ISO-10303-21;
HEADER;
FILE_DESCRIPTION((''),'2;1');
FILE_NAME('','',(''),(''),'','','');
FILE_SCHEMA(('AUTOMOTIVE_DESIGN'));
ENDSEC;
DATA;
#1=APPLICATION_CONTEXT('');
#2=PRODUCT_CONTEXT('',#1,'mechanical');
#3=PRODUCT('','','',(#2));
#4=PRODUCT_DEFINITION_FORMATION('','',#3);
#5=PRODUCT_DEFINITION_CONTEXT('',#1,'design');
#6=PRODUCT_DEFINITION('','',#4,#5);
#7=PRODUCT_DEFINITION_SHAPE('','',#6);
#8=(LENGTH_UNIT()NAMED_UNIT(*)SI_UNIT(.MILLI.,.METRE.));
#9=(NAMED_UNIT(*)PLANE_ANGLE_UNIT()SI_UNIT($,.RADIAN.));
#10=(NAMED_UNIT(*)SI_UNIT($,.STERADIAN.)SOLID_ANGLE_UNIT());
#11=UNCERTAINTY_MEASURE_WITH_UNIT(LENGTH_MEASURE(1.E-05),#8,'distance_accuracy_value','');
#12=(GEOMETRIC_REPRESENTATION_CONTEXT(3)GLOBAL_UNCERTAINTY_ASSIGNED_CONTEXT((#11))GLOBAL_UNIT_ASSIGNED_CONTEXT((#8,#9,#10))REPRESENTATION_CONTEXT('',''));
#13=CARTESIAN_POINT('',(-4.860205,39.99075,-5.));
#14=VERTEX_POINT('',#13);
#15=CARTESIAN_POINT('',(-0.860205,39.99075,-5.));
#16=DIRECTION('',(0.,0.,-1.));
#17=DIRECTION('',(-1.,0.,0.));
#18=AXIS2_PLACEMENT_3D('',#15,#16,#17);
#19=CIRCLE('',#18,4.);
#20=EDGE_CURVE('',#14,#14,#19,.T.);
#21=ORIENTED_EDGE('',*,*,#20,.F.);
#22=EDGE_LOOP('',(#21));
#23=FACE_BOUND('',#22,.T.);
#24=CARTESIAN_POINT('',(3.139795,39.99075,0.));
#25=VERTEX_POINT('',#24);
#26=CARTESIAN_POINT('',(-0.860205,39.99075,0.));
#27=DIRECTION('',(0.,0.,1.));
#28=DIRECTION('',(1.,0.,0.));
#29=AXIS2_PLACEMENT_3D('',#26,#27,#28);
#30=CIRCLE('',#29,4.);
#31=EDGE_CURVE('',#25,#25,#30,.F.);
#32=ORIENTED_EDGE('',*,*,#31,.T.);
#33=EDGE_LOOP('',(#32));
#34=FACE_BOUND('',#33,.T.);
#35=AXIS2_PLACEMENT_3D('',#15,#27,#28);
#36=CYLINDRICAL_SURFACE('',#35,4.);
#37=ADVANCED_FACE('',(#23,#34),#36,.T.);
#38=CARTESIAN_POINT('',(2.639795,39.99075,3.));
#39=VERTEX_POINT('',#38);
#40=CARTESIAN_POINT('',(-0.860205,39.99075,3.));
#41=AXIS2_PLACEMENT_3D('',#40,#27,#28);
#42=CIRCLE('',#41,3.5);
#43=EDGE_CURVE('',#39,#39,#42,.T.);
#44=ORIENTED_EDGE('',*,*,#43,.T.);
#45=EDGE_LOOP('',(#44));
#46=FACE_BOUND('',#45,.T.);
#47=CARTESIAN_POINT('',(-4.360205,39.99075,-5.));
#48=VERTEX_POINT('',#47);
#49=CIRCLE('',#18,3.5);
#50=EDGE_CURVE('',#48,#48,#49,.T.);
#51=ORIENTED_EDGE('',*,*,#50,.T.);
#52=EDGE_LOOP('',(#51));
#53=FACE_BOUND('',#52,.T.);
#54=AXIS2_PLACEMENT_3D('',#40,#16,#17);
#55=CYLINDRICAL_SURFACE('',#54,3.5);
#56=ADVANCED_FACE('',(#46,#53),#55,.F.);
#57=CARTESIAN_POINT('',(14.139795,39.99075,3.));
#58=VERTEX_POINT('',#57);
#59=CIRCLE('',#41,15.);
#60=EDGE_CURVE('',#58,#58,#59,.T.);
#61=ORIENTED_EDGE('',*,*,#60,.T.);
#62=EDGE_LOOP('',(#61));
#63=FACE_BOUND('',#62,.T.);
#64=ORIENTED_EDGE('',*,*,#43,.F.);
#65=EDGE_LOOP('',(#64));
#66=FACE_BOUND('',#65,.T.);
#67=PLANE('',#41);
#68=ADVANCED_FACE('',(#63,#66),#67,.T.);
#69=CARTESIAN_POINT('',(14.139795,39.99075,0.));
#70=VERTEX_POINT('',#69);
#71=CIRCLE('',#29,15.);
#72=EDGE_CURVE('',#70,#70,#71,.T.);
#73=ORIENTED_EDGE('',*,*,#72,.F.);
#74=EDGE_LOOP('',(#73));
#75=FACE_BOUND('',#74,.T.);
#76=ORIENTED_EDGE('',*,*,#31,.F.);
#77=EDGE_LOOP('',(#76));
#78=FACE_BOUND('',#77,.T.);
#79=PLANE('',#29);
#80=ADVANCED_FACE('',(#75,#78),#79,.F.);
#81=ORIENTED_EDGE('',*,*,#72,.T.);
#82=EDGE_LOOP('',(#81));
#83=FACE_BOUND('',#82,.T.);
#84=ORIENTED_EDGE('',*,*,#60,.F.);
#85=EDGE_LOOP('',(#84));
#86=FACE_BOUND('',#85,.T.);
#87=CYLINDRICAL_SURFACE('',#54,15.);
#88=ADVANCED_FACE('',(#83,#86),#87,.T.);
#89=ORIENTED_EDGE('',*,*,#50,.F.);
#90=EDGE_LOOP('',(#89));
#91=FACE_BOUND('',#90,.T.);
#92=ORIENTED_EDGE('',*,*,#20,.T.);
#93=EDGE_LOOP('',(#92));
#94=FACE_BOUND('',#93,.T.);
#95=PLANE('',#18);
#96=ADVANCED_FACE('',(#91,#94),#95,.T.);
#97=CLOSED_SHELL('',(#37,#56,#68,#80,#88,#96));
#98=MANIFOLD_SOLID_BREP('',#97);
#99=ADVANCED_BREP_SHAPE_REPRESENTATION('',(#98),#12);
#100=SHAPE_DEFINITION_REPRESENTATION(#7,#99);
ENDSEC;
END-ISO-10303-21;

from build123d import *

# Parameters (mm, degrees)
SKETCH1_R           = 15
SKETCH1_R_2         = 4
BOSS_EXTRUDE1_DEPTH = 3
SKETCH2_R           = 4
SKETCH2_R_2         = 3.5
BOSS_EXTRUDE2_DEPTH = 5
SKETCH4_R           = 4
SKETCH4_R_2         = 3.5
BOSS_EXTRUDE4_DEPTH = 3


with BuildPart() as part:
    # Sketch1 → Boss-Extrude1 (new body)
    with BuildSketch(Plane.XY):
        with Locations((-0.860205172, 39.990749519)):
            Circle(SKETCH1_R)
        with Locations((-0.860205172, 39.990749519)):
            Circle(SKETCH1_R_2, mode=Mode.SUBTRACT)
    extrude(amount=BOSS_EXTRUDE1_DEPTH)



with BuildPart() as body_2:
    # Sketch2 → Boss-Extrude2 (new body)
    with BuildSketch(Plane(origin=(0, 0, 0), x_dir=(-1, 0, 0), z_dir=(0, 0, -1))):
        with Locations(Location((0.860205172, 39.990749519, 0), (0, 0, 180))):
            Circle(SKETCH2_R)
        with Locations((0.860205172, 39.990749519)):
            Circle(SKETCH2_R_2, mode=Mode.SUBTRACT)
    extrude(amount=BOSS_EXTRUDE2_DEPTH)


with BuildPart() as part_1:
    add(part.part)

    add(body_2.part)  # Boss-Extrude4 merges body 2
    # Sketch4 → Boss-Extrude4 (add)
    with BuildSketch(Plane.XY):
        with Locations((-0.860205172, 39.990749519)):
            Circle(SKETCH4_R)
        with Locations(Location((-0.860205172, 39.990749519, 0), (0, 0, 180))):
            Circle(SKETCH4_R_2, mode=Mode.SUBTRACT)
    extrude(amount=BOSS_EXTRUDE4_DEPTH)


solid = part_1.part
